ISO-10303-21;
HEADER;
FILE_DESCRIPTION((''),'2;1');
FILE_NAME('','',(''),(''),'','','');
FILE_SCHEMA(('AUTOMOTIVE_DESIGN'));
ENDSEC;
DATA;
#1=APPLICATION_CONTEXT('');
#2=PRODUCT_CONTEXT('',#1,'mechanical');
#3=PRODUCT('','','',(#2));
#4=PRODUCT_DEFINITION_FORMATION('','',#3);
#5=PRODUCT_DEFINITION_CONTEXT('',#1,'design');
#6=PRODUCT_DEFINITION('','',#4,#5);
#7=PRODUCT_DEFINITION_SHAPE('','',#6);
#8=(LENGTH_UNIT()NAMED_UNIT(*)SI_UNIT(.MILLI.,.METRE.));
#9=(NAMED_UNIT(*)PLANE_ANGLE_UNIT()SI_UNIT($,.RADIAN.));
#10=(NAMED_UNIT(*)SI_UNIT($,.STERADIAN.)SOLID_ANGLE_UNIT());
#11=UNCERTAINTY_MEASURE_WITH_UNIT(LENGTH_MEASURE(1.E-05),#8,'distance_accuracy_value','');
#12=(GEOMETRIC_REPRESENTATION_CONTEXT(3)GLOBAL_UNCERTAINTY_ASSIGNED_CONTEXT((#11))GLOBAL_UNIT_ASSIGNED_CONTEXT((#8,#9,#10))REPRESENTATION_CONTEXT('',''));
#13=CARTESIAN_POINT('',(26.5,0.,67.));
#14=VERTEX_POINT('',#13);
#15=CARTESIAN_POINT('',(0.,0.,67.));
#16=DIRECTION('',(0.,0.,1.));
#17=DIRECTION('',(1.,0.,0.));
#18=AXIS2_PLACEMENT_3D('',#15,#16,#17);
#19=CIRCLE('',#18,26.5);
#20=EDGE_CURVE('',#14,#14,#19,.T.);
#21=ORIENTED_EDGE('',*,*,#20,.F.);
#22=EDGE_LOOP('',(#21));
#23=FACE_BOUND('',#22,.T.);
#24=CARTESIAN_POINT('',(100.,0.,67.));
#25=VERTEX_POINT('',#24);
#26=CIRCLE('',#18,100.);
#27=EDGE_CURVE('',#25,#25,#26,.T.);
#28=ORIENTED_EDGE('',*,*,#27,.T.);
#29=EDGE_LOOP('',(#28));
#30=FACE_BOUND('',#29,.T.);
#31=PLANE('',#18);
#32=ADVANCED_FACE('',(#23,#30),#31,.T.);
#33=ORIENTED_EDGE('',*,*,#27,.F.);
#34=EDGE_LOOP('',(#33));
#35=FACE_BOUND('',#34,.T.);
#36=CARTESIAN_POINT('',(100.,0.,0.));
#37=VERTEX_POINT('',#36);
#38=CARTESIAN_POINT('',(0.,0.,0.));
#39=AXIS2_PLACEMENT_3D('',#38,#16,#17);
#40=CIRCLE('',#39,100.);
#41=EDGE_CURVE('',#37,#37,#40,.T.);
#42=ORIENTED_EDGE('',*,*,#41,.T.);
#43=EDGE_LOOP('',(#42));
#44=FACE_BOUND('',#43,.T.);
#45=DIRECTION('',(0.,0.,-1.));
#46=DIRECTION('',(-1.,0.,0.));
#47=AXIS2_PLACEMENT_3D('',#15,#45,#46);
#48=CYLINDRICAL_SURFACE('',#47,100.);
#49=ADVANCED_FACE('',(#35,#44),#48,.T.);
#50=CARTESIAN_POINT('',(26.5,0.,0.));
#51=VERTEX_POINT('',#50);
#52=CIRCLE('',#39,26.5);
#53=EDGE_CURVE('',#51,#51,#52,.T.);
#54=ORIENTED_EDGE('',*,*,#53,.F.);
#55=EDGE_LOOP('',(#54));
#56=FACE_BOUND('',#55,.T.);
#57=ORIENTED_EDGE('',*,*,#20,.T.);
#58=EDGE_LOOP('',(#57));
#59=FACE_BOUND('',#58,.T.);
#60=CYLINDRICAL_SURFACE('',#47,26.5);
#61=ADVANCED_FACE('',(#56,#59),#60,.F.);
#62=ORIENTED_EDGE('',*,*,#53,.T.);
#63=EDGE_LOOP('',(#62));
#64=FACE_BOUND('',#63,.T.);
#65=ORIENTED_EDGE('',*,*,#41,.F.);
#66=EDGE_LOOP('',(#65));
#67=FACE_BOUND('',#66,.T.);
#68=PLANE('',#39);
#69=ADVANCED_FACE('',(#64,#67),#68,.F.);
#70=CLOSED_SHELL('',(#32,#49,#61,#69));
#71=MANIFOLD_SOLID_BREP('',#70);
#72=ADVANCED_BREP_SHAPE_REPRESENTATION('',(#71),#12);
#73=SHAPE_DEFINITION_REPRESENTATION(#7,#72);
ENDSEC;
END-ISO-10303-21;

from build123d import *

# Parameters (mm, degrees)
SCHIZZO1_R                   = 100
SCHIZZO1_R_2                 = 26.5
ESTRUSIONE_ESTRUSIONE1_DEPTH = 67


with BuildPart() as part:
    # Schizzo1 → Estrusione-Estrusione1 (new body)
    with BuildSketch(Plane.XY):
        Circle(SCHIZZO1_R)
        Circle(SCHIZZO1_R_2, mode=Mode.SUBTRACT)
    extrude(amount=ESTRUSIONE_ESTRUSIONE1_DEPTH)


solid = part.part
